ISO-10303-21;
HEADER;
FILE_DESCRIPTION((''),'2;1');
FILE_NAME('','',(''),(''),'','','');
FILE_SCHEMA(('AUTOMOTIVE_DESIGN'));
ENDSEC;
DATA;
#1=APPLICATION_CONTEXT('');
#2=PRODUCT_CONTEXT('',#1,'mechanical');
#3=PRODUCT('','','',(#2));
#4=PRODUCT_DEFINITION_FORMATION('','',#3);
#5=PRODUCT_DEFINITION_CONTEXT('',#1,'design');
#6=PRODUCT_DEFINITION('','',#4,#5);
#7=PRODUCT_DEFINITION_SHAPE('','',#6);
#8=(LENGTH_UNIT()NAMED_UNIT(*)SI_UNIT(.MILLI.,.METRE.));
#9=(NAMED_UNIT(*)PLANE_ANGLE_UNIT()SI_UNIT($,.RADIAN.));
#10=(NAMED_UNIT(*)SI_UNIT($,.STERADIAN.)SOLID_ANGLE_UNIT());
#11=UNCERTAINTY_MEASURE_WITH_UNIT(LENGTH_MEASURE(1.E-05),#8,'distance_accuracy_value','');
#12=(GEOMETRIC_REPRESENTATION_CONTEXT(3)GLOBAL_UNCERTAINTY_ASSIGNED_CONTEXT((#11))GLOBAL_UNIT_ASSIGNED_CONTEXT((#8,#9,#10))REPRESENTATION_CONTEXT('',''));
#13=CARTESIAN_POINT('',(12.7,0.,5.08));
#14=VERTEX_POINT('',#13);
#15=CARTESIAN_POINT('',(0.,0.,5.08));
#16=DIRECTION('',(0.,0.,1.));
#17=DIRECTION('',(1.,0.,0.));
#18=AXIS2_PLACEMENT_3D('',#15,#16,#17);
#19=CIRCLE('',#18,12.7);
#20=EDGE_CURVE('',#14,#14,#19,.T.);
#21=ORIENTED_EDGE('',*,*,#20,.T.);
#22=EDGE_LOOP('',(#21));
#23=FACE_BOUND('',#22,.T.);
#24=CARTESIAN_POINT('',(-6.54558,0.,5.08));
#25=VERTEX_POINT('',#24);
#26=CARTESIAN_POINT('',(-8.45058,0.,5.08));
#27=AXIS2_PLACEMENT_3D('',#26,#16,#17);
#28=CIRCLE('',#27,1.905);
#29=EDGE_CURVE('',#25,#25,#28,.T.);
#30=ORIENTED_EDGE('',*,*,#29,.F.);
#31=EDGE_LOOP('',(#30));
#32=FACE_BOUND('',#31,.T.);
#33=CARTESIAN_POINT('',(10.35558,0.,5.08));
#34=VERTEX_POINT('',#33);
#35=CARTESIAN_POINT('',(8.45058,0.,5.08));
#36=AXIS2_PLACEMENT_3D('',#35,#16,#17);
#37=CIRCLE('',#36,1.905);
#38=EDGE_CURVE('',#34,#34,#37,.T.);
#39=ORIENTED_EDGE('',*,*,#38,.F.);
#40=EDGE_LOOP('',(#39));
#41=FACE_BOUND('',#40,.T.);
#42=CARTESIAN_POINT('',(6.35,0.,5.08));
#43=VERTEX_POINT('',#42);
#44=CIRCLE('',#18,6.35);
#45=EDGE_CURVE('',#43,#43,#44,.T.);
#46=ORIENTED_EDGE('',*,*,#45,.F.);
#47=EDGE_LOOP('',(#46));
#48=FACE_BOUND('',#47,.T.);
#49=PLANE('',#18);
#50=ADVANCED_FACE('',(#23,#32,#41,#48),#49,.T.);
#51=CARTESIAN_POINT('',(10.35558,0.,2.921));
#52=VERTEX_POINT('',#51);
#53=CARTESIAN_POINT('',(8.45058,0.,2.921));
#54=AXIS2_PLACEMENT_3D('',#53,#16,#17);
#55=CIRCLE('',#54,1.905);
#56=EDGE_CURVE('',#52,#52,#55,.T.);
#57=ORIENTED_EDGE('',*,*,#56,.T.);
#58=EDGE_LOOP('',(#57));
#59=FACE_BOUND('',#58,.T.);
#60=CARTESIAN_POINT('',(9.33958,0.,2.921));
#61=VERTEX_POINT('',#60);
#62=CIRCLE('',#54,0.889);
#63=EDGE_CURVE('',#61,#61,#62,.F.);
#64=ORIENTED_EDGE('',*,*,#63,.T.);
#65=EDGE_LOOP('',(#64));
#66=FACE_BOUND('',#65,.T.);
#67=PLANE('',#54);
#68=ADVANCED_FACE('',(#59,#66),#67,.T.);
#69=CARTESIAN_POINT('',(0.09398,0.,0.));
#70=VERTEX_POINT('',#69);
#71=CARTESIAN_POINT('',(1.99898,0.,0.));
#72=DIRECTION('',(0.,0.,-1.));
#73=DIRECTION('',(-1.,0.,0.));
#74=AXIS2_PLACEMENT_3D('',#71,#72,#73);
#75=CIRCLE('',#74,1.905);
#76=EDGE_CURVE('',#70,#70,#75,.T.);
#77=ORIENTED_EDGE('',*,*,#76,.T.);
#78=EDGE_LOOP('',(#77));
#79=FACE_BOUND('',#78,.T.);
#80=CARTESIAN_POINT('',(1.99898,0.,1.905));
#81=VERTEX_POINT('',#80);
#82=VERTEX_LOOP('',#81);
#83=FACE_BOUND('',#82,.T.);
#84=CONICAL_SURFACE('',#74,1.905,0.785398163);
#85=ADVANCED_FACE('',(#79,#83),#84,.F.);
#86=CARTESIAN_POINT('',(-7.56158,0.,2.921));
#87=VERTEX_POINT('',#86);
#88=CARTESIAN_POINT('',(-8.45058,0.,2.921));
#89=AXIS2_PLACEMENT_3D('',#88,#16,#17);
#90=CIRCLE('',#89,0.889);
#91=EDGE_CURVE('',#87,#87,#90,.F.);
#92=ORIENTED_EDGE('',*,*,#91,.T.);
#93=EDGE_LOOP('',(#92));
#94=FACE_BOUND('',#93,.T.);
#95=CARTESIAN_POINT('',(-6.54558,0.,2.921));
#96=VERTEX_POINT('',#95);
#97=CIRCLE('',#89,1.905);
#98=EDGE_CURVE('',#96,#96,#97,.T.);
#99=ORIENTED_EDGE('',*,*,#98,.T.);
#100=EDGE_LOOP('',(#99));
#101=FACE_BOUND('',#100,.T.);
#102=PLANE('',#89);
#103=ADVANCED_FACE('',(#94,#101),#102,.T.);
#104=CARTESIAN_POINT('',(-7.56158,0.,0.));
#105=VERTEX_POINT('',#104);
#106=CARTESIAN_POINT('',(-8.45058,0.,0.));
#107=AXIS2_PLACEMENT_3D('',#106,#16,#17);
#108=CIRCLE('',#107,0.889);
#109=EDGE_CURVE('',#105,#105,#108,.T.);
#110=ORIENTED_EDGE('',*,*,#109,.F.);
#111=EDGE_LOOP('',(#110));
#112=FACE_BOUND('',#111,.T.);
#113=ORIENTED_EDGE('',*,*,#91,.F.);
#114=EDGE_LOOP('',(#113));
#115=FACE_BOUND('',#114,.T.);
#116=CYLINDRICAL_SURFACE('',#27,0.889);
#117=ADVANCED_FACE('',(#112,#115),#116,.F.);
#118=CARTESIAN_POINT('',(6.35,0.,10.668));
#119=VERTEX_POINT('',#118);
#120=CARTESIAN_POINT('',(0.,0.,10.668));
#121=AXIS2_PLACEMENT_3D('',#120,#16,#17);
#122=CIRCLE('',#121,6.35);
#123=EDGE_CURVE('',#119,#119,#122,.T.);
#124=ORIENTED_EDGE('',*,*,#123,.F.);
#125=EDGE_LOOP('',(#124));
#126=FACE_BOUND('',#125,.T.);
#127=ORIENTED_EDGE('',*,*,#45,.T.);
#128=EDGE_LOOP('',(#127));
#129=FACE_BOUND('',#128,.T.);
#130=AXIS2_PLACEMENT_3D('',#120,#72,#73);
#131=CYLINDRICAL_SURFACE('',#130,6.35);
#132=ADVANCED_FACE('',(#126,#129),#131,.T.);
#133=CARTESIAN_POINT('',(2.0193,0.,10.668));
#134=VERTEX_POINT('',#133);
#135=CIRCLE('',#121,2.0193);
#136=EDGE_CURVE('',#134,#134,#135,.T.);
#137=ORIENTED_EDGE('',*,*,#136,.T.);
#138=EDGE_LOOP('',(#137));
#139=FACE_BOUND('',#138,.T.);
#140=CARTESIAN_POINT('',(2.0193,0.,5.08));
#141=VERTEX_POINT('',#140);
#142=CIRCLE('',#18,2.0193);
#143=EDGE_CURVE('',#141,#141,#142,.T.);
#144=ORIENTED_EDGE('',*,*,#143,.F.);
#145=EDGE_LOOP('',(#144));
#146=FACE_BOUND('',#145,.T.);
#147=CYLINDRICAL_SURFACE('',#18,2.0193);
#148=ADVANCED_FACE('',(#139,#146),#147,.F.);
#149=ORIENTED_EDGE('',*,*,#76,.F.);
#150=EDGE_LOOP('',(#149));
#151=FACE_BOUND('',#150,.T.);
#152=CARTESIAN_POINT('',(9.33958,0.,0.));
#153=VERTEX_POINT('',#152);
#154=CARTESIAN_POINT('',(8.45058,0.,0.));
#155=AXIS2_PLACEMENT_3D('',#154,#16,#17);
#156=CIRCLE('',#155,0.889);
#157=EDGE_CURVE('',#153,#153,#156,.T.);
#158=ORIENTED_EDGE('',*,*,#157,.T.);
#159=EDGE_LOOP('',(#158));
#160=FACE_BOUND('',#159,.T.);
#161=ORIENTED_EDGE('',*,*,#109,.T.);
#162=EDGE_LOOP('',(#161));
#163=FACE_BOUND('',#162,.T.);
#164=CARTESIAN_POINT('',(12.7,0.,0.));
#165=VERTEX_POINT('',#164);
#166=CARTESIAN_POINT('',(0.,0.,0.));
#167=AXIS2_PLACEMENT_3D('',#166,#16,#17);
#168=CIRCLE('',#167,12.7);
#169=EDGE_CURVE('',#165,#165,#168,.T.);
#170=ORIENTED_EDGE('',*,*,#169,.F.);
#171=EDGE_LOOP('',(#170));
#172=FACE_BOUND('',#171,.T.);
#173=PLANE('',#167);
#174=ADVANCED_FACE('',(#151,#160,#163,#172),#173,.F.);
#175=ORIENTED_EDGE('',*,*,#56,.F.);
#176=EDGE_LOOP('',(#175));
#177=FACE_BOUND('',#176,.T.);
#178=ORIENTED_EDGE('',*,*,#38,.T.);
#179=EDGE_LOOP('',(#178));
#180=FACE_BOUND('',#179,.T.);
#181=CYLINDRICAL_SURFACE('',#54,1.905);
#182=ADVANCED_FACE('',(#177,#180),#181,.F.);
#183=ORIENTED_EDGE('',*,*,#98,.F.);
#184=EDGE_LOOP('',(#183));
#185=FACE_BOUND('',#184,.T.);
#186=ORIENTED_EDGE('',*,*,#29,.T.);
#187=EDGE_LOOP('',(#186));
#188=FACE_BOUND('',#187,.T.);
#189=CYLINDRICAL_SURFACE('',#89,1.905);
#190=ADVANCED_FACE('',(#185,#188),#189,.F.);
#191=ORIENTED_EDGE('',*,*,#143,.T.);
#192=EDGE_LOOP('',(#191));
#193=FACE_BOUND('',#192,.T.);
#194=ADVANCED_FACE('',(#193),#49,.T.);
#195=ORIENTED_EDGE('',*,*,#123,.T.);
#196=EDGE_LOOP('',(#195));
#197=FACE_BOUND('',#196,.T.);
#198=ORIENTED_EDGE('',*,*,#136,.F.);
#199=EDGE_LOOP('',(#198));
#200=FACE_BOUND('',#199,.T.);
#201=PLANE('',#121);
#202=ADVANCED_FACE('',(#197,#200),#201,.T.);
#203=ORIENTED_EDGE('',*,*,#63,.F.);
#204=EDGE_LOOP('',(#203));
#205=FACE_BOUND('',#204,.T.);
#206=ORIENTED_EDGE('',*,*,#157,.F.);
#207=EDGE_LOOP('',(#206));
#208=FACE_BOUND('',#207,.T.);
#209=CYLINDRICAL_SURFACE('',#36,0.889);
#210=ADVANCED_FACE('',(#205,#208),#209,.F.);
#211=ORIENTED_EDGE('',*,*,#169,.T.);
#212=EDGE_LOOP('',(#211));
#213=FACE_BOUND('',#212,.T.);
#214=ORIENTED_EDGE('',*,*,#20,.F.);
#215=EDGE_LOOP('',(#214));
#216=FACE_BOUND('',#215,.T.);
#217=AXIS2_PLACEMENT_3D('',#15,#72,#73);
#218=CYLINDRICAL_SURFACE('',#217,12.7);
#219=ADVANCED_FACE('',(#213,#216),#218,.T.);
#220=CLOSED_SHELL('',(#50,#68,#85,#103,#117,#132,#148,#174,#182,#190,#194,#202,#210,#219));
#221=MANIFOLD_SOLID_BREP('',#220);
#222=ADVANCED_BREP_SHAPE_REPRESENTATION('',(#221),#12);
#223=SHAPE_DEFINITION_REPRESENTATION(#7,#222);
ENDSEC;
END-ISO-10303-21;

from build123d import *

# Parameters (mm, degrees)
SKETCH1_R                  = 12.7
BOSS_EXTRUDE1_DEPTH        = 5.08
SKETCH3_R                  = 6.35
BOSS_EXTRUDE2_DEPTH        = 5.588
SKETCH5_R                  = 2.0193
CUT_EXTRUDE1_DEPTH         = 5.588
F_50_0_07_DIAMETER_HOLE1_D = 1.778
SKETCH6_R                  = 1.905
CUT_EXTRUDE2_DEPTH         = 2.159


with BuildPart() as part:
    # Sketch1 → Boss-Extrude1 (new body)
    with BuildSketch(Plane.XY):
        Circle(SKETCH1_R)
    extrude(amount=BOSS_EXTRUDE1_DEPTH)

    # Sketch3 → Boss-Extrude2 (add)
    with BuildSketch(Plane.XY.offset(5.08)):
        Circle(SKETCH3_R)
    extrude(amount=BOSS_EXTRUDE2_DEPTH)

    # Sketch5 → Cut-Extrude1 (cut)
    with BuildSketch(Plane.XY.offset(10.668)):
        Circle(SKETCH5_R)
    extrude(amount=-CUT_EXTRUDE1_DEPTH, mode=Mode.SUBTRACT)

    # #50 (0.07) Diameter Hole1 (through all)
    with Locations(Plane.XY.offset(5.08)):
        with Locations((-8.45058, 0), (8.45058, 0)):
            Hole(F_50_0_07_DIAMETER_HOLE1_D / 2)

    # Sketch6 → Cut-Extrude2 (cut)
    with BuildSketch(Plane.XY.offset(5.08)):
        with Locations((-8.45058, 0)):
            Circle(SKETCH6_R)
        with Locations((8.45058, 0)):
            Circle(SKETCH6_R)
    extrude(amount=-CUT_EXTRUDE2_DEPTH, mode=Mode.SUBTRACT)

    # Cut-Extrude3 cone 1 section (through the dimple's axis) → Cut-Extrude3 (revolve, cut)
    with BuildSketch(Plane.YZ.offset(1.99898)):
        Polygon((0, 0), (1.905, 0), (0, 1.905), align=None)
    revolve(axis=Axis((1.99898, 0, 0), (0, 0, 1)), mode=Mode.SUBTRACT)


solid = part.part
